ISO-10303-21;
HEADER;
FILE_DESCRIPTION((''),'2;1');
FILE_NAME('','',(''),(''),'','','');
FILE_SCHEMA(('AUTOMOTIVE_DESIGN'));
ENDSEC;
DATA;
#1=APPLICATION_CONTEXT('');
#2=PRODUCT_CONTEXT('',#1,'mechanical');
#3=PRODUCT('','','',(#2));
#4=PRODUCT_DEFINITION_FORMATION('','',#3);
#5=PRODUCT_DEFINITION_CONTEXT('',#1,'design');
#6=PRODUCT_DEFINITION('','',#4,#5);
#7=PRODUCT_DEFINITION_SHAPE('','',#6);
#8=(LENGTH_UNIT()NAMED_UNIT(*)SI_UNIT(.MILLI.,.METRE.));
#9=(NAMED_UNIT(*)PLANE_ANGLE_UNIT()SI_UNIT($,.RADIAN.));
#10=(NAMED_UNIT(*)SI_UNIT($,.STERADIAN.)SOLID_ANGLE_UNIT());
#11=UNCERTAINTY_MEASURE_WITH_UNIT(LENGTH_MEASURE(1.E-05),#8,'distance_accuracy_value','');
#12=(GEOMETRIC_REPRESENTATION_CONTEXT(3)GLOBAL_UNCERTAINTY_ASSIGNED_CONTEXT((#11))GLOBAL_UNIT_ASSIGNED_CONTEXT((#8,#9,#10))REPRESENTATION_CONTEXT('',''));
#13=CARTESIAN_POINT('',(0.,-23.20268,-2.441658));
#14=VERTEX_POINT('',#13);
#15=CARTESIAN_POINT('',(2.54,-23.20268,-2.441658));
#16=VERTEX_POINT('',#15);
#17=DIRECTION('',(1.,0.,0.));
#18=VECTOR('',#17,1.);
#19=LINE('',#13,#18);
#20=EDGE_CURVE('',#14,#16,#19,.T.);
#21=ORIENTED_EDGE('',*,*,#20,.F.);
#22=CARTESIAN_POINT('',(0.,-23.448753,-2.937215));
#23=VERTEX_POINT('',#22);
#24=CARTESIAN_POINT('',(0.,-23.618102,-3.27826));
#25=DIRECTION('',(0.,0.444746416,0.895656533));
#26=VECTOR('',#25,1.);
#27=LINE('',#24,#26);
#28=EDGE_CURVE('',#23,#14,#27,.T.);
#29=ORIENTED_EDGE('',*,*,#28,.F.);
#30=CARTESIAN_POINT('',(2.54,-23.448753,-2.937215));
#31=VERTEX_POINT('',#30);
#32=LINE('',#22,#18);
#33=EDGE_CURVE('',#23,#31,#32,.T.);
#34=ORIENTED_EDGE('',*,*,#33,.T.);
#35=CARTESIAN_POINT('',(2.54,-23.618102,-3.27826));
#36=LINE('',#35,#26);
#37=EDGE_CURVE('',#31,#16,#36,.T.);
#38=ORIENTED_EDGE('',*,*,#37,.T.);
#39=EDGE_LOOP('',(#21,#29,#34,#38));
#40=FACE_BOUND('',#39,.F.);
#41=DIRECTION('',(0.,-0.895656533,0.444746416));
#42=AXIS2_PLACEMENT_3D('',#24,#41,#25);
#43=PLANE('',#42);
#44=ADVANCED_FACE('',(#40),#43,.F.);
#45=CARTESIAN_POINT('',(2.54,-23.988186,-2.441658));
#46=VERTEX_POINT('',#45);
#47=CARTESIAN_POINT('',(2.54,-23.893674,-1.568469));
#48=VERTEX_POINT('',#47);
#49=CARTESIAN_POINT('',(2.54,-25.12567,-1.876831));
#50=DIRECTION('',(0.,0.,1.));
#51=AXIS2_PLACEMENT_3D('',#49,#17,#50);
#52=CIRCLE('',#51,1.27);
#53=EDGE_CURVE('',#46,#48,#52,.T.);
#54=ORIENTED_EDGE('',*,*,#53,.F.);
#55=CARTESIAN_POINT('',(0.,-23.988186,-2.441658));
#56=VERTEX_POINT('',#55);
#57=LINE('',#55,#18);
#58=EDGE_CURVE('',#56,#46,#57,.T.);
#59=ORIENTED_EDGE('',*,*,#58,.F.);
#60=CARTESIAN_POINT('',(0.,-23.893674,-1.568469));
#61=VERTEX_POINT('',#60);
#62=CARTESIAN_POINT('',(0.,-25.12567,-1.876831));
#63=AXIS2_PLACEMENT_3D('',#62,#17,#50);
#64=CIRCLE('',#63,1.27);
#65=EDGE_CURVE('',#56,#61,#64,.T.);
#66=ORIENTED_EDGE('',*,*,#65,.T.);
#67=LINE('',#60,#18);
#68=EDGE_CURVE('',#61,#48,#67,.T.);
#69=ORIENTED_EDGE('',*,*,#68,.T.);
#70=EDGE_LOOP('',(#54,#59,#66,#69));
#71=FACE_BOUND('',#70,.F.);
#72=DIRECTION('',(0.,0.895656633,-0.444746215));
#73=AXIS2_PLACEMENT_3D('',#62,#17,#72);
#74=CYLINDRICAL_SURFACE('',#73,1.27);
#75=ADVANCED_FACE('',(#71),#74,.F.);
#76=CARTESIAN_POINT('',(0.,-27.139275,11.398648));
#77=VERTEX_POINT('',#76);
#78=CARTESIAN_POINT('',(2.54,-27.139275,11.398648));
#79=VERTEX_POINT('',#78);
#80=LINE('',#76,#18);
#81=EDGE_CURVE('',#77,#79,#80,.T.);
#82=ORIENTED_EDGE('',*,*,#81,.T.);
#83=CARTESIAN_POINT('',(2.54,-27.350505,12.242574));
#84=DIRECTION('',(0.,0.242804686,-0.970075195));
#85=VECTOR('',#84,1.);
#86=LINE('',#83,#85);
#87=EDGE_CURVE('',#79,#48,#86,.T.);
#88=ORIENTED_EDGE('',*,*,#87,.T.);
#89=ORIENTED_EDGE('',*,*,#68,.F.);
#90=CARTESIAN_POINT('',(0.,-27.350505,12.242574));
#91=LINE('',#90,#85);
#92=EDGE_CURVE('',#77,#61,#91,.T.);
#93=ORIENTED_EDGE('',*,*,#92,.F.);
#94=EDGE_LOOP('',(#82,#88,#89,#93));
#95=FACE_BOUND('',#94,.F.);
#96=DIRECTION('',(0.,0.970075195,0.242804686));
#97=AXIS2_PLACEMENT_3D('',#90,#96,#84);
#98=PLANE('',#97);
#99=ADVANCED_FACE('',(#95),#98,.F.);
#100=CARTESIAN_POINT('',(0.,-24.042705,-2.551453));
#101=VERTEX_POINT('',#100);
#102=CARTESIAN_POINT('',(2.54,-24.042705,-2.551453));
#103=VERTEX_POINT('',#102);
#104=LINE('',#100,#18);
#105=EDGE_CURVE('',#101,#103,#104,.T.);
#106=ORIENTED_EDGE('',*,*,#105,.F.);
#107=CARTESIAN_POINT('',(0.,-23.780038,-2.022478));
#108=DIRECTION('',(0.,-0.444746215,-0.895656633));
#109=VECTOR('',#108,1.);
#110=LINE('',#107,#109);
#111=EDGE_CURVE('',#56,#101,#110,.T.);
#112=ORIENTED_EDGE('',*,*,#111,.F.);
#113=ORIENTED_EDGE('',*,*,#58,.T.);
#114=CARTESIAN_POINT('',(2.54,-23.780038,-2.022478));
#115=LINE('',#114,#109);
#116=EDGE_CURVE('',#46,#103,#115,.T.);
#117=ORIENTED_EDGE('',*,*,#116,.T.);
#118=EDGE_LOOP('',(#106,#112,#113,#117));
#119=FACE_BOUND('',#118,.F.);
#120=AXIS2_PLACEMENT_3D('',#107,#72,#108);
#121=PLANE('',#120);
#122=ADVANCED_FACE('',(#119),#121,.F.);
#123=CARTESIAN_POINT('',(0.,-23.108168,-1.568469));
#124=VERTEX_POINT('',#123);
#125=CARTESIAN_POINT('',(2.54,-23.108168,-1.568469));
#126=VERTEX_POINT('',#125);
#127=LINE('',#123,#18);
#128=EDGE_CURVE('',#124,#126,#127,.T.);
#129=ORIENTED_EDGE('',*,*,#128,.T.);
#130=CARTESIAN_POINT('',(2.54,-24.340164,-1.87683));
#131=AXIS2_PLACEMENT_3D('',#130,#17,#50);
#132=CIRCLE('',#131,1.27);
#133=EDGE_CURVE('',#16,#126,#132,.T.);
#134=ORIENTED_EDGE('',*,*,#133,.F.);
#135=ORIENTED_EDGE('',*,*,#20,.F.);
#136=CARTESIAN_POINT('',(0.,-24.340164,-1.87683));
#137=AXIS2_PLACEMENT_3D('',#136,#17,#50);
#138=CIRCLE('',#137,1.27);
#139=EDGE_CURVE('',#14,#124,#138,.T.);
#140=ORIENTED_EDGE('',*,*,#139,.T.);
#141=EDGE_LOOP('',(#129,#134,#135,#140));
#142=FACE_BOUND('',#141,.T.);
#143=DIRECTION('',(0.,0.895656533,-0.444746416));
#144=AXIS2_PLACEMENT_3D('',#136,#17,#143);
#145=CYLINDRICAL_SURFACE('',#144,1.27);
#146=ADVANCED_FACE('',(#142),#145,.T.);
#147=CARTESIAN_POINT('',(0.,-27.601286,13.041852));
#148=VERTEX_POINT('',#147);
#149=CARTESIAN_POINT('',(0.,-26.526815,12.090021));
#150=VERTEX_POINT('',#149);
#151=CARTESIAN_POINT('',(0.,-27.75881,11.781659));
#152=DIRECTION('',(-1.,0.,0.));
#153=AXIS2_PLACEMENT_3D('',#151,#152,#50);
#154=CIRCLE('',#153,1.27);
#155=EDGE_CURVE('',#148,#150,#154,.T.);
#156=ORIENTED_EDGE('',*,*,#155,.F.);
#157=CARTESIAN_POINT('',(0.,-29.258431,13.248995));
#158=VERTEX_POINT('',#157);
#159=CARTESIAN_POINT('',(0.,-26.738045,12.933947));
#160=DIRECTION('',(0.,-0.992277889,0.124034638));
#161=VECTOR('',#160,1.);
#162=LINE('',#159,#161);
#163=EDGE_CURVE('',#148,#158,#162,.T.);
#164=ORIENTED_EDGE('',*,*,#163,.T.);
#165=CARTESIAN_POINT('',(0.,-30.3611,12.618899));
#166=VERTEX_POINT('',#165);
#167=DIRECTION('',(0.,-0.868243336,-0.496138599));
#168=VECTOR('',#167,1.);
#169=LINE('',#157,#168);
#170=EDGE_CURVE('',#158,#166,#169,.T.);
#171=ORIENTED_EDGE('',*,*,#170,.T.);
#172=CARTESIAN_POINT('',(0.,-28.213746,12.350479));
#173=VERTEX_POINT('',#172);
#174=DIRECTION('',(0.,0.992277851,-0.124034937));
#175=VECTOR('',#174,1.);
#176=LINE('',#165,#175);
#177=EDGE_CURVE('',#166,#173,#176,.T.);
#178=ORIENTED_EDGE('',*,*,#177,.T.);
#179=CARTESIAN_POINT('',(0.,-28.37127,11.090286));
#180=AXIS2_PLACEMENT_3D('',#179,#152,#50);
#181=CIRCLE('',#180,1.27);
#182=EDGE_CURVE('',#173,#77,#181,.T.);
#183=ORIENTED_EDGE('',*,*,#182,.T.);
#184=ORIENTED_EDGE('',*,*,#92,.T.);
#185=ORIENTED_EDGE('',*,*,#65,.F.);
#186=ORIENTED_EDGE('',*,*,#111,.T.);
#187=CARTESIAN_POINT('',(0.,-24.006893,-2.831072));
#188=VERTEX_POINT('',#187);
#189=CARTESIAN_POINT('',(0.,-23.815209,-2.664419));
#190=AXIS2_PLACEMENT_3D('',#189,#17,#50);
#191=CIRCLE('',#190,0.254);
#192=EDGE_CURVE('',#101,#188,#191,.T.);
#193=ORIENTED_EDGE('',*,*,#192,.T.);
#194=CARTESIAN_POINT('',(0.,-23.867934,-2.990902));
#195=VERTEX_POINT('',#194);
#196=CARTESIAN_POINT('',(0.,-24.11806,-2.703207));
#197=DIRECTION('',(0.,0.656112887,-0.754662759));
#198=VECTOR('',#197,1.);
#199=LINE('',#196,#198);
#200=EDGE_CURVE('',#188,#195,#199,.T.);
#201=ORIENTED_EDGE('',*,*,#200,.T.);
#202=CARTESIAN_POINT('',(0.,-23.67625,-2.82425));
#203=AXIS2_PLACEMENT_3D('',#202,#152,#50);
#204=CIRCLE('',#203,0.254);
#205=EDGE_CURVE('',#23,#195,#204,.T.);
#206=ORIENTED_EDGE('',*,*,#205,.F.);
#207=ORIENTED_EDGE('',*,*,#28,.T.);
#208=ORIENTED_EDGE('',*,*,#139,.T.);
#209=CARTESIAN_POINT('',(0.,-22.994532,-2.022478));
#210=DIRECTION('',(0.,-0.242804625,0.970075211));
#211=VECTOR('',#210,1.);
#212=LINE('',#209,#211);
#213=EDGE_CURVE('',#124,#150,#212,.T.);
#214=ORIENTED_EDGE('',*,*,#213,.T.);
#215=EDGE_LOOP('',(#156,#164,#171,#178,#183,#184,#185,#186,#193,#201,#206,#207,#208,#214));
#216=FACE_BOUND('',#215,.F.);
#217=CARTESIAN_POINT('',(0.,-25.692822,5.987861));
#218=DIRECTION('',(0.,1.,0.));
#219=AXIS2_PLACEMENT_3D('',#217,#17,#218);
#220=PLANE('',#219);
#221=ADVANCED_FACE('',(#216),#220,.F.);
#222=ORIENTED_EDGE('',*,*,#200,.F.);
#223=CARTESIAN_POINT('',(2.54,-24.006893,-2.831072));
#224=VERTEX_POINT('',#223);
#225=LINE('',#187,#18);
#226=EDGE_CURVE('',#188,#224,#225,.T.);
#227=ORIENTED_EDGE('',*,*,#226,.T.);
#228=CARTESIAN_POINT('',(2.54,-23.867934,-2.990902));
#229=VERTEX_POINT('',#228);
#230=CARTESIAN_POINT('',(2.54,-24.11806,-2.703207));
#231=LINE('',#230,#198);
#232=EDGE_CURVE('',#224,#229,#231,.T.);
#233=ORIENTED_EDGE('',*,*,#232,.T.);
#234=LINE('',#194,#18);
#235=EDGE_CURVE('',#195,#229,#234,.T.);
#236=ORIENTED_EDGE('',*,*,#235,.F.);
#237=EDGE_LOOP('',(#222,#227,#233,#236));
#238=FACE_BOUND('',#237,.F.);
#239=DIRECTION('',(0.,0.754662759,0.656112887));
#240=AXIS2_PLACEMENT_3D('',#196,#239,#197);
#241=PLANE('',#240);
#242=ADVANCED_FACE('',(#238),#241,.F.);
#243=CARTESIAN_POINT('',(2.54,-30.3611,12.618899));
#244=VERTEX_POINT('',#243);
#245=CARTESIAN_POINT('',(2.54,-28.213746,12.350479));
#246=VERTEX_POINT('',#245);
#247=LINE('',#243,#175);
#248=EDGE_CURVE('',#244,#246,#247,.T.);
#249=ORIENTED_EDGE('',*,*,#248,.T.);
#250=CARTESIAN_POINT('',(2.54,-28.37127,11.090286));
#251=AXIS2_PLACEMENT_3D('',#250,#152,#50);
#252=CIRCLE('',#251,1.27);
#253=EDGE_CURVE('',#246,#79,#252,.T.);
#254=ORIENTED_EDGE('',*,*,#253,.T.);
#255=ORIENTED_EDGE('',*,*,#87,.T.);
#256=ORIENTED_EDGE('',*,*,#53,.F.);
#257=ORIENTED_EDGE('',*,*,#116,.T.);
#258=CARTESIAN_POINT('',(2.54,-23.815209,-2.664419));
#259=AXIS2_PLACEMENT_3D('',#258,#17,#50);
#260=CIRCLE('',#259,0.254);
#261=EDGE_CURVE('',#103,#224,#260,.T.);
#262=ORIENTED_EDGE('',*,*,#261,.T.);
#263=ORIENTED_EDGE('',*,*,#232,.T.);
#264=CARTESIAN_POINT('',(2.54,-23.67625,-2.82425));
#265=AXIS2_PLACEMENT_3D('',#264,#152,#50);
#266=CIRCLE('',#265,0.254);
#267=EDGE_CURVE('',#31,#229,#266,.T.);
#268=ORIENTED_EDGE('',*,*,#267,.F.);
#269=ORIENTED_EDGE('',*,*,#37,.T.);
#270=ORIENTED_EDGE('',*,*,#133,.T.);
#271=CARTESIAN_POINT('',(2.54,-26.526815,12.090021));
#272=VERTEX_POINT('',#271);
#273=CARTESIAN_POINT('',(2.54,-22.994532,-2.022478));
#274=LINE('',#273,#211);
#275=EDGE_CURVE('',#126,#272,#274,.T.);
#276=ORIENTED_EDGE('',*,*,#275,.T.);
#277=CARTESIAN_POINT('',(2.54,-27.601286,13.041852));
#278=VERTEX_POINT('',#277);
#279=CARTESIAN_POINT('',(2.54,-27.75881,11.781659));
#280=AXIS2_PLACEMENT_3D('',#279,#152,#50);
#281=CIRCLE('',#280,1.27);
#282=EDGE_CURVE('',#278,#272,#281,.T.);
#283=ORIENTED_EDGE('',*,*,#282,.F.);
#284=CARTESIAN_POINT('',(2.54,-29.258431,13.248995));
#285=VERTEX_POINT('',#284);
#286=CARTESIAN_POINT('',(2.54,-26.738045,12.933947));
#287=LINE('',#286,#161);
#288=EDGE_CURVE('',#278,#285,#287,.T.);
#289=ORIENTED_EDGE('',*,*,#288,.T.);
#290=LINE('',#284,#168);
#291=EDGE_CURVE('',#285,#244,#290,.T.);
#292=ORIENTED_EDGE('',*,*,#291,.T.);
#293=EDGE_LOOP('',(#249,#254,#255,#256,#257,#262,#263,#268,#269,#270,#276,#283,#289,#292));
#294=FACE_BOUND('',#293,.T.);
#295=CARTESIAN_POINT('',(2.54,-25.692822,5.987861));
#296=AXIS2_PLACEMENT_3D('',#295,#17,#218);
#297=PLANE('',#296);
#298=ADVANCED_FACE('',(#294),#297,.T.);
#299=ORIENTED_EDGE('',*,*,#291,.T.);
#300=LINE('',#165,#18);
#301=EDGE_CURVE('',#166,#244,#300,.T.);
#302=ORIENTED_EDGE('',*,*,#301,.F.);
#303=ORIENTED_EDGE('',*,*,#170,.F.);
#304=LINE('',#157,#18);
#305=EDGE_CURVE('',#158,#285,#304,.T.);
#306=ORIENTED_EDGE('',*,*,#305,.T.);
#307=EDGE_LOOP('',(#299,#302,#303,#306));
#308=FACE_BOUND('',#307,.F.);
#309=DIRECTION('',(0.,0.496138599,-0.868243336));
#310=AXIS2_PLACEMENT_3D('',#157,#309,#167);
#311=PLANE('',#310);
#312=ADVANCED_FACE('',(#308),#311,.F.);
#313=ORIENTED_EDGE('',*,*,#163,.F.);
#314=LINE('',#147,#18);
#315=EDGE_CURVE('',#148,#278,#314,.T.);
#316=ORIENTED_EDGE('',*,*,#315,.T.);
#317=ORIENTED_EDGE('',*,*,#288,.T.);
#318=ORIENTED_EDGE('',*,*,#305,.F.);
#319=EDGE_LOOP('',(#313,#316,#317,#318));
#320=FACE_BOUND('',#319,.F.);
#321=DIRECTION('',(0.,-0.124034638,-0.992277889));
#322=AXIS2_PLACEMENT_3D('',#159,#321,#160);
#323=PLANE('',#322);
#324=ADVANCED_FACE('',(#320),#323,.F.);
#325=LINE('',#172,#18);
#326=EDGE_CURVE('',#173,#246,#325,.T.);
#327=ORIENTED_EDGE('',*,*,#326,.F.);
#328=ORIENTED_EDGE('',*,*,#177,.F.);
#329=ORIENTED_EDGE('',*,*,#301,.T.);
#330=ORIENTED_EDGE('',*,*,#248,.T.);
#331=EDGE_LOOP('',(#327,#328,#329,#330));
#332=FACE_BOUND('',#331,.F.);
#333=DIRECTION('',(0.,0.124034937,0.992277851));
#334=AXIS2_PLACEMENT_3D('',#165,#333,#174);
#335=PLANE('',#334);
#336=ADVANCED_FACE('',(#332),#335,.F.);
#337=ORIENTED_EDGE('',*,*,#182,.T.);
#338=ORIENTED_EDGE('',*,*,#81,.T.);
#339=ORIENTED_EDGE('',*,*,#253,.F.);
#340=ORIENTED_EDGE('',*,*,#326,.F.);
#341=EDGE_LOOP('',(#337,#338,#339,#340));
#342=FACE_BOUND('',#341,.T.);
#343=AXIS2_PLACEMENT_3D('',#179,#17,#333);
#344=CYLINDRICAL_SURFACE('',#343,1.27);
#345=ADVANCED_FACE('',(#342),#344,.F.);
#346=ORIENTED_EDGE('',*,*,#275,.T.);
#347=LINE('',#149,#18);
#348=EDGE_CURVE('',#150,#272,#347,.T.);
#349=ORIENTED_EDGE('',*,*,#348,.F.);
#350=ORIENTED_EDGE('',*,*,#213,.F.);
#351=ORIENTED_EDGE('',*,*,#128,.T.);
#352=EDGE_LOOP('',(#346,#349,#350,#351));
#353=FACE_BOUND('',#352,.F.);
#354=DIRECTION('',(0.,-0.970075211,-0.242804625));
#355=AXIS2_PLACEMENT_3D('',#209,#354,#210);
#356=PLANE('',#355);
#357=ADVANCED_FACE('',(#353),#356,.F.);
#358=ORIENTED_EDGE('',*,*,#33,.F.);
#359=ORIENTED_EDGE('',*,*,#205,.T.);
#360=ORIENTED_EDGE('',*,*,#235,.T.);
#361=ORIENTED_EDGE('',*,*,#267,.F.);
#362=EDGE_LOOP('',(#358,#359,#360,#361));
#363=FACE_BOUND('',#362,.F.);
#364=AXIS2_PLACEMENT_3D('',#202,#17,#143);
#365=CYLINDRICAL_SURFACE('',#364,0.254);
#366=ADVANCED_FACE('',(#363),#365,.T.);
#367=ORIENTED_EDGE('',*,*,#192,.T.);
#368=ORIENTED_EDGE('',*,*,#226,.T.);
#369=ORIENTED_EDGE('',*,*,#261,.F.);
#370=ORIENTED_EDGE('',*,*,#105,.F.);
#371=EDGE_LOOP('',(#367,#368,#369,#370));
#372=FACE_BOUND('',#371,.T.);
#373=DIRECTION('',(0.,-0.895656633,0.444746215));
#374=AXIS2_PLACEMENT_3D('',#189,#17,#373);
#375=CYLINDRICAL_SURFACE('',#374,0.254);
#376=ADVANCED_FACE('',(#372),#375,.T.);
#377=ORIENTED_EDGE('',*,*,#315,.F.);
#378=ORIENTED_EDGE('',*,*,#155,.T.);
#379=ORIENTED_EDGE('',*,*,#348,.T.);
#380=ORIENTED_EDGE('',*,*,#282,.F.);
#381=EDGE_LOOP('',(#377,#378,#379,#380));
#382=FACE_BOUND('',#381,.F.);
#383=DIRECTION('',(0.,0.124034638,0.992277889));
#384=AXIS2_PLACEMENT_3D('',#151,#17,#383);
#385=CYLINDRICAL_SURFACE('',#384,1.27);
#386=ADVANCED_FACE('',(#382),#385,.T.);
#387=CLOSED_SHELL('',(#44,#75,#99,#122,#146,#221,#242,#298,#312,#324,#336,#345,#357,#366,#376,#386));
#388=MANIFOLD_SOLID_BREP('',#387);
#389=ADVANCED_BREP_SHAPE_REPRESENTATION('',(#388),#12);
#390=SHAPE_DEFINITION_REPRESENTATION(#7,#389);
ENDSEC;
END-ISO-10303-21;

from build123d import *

# Parameters (mm, degrees)
F1_DEPTH = 2.54
F2_R     = 1.27
F3_R     = 0.254
F4_R     = 1.27
F5_R     = 0.254
F6_R     = 1.27
F7_R     = 1.27


with BuildPart() as f1:
    # F0 (on Right) → F1 (new body)
    with BuildSketch(Plane.YZ):
        Polygon((-29.258431, 13.248995), (-30.3611, 12.618899), (-27.350505, 12.242574), (-23.780038, -2.022478), (-24.11806, -2.703207), (-23.618102, -3.27826), (-22.994532, -2.022478), (-26.738045, 12.933947), align=None)
    extrude(amount=F1_DEPTH)

    # F2
    f2_edges = [f1.edges().sort_by_distance(p)[0] for p in [
        (1.27, -22.994532, -2.022478),
    ]]
    fillet(f2_edges, radius=F2_R)

    # F3
    f3_edges = [f1.edges().sort_by_distance(p)[0] for p in [
        (1.27, -23.618102, -3.27826),
    ]]
    fillet(f3_edges, radius=F3_R)

    # F4
    f4_edges = [f1.edges().sort_by_distance(p)[0] for p in [
        (1.27, -23.780038, -2.022478),
    ]]
    fillet(f4_edges, radius=F4_R)

    # F5
    f5_edges = [f1.edges().sort_by_distance(p)[0] for p in [
        (1.27, -24.11806, -2.703207),
    ]]
    fillet(f5_edges, radius=F5_R)

    # F6
    f6_edges = [f1.edges().sort_by_distance(p)[0] for p in [
        (1.27, -26.738045, 12.933947),
    ]]
    fillet(f6_edges, radius=F6_R)

    # F7
    f7_edges = [f1.edges().sort_by_distance(p)[0] for p in [
        (1.27, -27.350505, 12.242574),
    ]]
    fillet(f7_edges, radius=F7_R)


solid = f1.part
